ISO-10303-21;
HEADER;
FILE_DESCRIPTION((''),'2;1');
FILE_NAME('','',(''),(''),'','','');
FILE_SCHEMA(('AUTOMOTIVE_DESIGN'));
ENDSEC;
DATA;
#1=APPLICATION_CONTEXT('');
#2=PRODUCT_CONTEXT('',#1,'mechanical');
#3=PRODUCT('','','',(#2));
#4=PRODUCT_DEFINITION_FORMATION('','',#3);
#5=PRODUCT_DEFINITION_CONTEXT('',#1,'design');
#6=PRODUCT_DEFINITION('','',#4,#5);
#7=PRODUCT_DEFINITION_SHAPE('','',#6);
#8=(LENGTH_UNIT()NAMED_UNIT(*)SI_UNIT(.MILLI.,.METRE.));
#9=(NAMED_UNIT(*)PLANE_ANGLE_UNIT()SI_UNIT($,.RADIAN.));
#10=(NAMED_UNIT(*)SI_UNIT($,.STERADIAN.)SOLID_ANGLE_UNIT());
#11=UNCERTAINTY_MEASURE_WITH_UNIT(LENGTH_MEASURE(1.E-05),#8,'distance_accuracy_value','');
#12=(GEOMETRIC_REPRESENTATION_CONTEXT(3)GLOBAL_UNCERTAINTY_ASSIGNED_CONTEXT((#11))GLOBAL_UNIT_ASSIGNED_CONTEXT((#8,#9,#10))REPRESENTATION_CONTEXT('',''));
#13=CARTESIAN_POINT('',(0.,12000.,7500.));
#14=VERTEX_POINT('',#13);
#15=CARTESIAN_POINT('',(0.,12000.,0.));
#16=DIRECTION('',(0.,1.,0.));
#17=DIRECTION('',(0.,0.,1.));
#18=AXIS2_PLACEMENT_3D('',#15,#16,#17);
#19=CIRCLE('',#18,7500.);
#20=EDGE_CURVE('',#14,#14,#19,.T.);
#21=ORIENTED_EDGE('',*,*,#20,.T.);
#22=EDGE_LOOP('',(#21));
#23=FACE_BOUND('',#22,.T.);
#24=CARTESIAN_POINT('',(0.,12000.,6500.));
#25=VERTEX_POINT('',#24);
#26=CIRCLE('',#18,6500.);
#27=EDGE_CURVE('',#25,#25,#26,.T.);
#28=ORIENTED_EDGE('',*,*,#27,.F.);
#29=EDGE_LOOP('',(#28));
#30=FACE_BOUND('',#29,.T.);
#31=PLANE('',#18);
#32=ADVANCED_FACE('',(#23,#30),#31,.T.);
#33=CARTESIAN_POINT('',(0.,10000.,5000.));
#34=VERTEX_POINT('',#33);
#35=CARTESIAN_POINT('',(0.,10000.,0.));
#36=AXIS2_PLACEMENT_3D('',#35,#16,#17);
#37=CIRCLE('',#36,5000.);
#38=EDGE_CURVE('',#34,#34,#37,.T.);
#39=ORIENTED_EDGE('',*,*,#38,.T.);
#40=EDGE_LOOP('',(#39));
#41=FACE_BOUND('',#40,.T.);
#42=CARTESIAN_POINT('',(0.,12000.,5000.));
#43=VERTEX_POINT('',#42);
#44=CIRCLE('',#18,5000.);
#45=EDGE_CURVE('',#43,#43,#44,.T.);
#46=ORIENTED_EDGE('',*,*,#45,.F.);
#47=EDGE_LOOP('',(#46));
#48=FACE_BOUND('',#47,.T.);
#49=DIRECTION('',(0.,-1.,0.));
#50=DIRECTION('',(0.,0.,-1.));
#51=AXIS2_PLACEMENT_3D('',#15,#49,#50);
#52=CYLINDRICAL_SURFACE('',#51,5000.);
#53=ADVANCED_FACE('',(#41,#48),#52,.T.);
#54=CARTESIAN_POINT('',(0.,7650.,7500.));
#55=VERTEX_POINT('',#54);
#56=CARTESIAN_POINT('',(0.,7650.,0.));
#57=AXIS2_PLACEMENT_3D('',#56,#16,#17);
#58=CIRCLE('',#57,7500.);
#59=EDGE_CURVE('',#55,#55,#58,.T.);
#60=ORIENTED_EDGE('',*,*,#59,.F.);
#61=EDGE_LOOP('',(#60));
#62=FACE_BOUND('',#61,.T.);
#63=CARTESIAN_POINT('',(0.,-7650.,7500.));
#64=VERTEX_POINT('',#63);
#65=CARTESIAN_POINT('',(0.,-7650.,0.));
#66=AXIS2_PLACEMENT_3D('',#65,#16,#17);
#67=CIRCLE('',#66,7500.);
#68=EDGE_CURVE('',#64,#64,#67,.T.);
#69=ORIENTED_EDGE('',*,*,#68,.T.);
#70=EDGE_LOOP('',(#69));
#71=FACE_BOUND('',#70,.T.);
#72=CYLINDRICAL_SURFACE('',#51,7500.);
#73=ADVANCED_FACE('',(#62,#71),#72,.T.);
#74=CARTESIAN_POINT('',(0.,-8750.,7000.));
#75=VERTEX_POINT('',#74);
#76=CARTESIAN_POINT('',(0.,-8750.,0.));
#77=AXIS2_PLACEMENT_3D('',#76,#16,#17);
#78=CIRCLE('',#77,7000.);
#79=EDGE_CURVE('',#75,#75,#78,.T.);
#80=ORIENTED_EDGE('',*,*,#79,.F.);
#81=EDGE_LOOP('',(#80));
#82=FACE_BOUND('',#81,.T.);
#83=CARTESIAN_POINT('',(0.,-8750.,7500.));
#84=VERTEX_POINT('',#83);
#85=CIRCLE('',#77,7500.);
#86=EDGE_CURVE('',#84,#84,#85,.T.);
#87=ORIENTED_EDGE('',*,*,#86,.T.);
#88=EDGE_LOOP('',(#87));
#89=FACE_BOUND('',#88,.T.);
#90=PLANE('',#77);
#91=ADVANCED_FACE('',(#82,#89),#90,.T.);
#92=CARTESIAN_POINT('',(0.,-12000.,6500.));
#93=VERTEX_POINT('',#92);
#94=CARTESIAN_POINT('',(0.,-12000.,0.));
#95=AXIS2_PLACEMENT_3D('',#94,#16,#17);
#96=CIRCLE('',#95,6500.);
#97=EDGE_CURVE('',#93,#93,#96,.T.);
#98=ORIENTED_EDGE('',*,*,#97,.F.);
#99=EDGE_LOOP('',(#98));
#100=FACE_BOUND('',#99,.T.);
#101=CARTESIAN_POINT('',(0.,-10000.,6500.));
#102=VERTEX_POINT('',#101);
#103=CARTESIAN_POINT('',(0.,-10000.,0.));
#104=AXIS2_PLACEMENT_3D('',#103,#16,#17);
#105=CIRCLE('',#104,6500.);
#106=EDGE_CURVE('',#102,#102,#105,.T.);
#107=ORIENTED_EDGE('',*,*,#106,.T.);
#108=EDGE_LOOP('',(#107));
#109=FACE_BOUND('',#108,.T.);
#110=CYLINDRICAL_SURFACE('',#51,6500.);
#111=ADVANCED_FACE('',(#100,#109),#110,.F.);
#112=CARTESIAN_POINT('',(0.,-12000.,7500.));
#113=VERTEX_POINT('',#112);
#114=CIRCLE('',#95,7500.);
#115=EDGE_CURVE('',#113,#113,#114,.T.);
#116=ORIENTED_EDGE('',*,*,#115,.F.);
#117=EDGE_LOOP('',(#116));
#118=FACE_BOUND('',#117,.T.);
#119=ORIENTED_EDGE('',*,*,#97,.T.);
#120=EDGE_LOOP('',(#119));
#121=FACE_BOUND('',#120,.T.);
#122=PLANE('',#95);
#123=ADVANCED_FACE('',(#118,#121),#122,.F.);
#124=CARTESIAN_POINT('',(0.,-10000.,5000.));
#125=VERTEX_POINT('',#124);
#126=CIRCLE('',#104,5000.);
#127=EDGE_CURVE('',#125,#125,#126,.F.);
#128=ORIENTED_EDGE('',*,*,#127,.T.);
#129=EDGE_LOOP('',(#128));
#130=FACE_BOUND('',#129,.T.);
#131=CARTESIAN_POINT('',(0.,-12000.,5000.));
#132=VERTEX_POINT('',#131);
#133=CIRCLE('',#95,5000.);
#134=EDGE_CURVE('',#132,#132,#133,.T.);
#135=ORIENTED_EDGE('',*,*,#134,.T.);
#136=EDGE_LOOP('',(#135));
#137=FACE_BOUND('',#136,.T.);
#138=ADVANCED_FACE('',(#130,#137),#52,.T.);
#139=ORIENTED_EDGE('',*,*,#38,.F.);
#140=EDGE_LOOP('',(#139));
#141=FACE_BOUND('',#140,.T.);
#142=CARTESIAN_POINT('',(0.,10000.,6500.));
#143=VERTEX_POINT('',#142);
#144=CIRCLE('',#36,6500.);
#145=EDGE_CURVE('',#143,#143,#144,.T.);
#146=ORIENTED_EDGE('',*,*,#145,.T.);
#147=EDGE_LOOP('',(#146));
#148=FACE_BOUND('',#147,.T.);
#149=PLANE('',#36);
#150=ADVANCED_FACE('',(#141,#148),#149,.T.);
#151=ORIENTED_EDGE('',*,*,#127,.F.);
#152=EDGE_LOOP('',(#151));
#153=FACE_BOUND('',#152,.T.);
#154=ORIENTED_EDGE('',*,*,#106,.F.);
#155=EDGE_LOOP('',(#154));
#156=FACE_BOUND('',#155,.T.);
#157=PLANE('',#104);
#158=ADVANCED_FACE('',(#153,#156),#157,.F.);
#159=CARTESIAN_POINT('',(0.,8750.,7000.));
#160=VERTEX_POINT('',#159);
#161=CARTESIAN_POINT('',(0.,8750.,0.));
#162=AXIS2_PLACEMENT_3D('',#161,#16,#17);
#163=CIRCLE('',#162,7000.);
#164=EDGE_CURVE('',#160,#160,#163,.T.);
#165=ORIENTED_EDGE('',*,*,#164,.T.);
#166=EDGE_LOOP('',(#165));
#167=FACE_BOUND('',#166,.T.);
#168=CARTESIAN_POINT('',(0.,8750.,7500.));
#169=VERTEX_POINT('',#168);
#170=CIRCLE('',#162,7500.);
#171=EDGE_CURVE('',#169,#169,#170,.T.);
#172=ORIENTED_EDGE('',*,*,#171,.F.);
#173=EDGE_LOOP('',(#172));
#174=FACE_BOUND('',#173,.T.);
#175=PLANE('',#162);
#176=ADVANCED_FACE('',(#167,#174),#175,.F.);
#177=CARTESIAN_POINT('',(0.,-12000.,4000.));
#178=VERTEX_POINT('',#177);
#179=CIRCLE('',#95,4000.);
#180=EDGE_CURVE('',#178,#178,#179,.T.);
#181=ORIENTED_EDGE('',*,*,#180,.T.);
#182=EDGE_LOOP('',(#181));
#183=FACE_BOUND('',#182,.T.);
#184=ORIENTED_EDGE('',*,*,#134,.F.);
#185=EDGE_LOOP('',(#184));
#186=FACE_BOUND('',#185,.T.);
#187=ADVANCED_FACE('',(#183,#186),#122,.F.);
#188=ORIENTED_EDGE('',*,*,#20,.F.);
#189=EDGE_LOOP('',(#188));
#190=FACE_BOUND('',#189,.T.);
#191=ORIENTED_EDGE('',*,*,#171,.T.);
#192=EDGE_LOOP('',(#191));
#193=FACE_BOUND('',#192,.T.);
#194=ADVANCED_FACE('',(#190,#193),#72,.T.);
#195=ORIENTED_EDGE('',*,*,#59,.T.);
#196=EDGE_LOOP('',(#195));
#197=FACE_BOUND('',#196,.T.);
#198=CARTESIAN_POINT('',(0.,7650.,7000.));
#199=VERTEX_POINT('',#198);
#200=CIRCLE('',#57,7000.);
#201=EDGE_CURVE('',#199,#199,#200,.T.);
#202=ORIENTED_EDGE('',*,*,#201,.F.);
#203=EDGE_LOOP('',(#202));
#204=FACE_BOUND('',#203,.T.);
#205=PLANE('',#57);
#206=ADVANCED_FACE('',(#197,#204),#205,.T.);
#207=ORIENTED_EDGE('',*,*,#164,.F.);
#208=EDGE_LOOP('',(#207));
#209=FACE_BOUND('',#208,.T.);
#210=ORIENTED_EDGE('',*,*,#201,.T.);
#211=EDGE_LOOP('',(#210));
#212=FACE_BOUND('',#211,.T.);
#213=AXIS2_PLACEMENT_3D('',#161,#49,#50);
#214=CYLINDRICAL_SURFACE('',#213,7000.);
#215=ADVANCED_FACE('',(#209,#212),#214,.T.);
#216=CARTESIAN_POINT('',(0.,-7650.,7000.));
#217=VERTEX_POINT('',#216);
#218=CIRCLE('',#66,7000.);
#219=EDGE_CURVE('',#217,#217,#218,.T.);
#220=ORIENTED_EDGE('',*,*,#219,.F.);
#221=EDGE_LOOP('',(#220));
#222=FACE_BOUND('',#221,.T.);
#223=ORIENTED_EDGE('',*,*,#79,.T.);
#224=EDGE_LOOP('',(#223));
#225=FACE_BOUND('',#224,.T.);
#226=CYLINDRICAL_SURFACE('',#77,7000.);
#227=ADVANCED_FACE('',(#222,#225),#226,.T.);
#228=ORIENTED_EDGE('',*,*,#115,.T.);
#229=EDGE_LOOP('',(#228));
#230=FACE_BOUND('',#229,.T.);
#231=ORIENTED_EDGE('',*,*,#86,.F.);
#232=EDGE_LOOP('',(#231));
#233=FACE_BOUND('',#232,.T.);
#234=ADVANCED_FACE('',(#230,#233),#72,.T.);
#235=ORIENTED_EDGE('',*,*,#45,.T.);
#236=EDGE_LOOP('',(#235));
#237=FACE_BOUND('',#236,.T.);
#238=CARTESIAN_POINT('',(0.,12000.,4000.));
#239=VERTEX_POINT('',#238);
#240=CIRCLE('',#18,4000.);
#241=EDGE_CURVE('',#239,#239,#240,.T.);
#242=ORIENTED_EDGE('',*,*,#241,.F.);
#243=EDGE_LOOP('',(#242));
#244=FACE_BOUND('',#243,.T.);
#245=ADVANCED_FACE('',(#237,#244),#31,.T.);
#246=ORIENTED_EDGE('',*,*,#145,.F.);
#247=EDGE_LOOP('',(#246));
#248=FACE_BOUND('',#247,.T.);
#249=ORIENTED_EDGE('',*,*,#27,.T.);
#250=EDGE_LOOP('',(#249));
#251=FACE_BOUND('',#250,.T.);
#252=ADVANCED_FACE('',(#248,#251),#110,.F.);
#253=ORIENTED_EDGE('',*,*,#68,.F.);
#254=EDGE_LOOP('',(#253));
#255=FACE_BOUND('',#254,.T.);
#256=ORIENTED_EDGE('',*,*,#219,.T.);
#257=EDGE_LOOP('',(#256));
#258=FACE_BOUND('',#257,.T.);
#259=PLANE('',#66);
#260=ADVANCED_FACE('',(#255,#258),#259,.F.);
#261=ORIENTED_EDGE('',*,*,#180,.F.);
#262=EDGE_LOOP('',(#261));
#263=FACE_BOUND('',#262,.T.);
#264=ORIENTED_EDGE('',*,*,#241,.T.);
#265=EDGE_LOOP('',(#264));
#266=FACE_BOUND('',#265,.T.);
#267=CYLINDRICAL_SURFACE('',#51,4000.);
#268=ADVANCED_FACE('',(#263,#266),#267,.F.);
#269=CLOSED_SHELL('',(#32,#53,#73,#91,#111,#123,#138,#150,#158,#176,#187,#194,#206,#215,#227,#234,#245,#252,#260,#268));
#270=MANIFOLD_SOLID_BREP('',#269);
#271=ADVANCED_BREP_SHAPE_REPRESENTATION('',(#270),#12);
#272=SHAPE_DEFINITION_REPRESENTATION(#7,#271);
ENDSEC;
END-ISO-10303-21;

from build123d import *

# Parameters (mm, degrees)
SKETCH_1_R          = 7500
SKETCH_1_R_2        = 6500
EXTRUDE_1_DEPTH     = 12000
SKETCH_1_5_R        = 5000
SKETCH_1_5_R_2      = 4000
EXTRUDE_3_DEPTH     = 12000
SKETCH_1_6_R        = 6500
SKETCH_1_6_R_2      = 5000
EXTRUDE_4_DEPTH     = 10000
CUT_EXTRUDE_START   = 1100
SKETCH_3_R          = 7500
SKETCH_3_R_2        = 7000
CUT_EXTRUDE_1_DEPTH = 1100
SKETCH_4_R          = 7500
SKETCH_4_R_2        = 7000
CUT_EXTRUDE_2_DEPTH = 1100


with BuildPart() as part:
    # 草圖1 → 填料-伸長1 (new, symmetric)
    with BuildSketch(Plane(origin=(0, 0, 0), x_dir=(1, 0, 0), z_dir=(0, 1, 0))):
        Circle(SKETCH_1_R)
        Circle(SKETCH_1_R_2, mode=Mode.SUBTRACT)
    extrude(amount=EXTRUDE_1_DEPTH, both=True)



with BuildPart() as body_2:
    # 草圖1<5> → 填料-伸長3 (new, symmetric)
    with BuildSketch(Plane(origin=(0, 0, 0), x_dir=(1, 0, 0), z_dir=(0, 1, 0))):
        Circle(SKETCH_1_5_R)
        Circle(SKETCH_1_5_R_2, mode=Mode.SUBTRACT)
    extrude(amount=EXTRUDE_3_DEPTH, both=True)


with BuildPart() as part_1:
    add(part.part)

    add(body_2.part)  # 填料-伸長4 merges body 2
    # 草圖1<6> → 填料-伸長4 (add, symmetric)
    with BuildSketch(Plane(origin=(0, 0, 0), x_dir=(1, 0, 0), z_dir=(0, 1, 0))):
        Circle(SKETCH_1_6_R)
        Circle(SKETCH_1_6_R_2, mode=Mode.SUBTRACT)
    extrude(amount=EXTRUDE_4_DEPTH, both=True)

    # 草圖3 → 除料-伸長1 (cut)
    with BuildSketch(Plane(origin=(0, 7650, 0), x_dir=(1, 0, 0), z_dir=(0, 1, 0)).offset(CUT_EXTRUDE_START)):
        Circle(SKETCH_3_R)
        Circle(SKETCH_3_R_2, mode=Mode.SUBTRACT)
    extrude(amount=-CUT_EXTRUDE_1_DEPTH, mode=Mode.SUBTRACT)

    # 草圖4 → 除料-伸長2 (cut)
    with BuildSketch(Plane(origin=(0, -7650, 0), x_dir=(1, 0, 0), z_dir=(0, 1, 0))):
        Circle(SKETCH_4_R)
        Circle(SKETCH_4_R_2, mode=Mode.SUBTRACT)
    extrude(amount=-CUT_EXTRUDE_2_DEPTH, mode=Mode.SUBTRACT)


solid = part_1.part
